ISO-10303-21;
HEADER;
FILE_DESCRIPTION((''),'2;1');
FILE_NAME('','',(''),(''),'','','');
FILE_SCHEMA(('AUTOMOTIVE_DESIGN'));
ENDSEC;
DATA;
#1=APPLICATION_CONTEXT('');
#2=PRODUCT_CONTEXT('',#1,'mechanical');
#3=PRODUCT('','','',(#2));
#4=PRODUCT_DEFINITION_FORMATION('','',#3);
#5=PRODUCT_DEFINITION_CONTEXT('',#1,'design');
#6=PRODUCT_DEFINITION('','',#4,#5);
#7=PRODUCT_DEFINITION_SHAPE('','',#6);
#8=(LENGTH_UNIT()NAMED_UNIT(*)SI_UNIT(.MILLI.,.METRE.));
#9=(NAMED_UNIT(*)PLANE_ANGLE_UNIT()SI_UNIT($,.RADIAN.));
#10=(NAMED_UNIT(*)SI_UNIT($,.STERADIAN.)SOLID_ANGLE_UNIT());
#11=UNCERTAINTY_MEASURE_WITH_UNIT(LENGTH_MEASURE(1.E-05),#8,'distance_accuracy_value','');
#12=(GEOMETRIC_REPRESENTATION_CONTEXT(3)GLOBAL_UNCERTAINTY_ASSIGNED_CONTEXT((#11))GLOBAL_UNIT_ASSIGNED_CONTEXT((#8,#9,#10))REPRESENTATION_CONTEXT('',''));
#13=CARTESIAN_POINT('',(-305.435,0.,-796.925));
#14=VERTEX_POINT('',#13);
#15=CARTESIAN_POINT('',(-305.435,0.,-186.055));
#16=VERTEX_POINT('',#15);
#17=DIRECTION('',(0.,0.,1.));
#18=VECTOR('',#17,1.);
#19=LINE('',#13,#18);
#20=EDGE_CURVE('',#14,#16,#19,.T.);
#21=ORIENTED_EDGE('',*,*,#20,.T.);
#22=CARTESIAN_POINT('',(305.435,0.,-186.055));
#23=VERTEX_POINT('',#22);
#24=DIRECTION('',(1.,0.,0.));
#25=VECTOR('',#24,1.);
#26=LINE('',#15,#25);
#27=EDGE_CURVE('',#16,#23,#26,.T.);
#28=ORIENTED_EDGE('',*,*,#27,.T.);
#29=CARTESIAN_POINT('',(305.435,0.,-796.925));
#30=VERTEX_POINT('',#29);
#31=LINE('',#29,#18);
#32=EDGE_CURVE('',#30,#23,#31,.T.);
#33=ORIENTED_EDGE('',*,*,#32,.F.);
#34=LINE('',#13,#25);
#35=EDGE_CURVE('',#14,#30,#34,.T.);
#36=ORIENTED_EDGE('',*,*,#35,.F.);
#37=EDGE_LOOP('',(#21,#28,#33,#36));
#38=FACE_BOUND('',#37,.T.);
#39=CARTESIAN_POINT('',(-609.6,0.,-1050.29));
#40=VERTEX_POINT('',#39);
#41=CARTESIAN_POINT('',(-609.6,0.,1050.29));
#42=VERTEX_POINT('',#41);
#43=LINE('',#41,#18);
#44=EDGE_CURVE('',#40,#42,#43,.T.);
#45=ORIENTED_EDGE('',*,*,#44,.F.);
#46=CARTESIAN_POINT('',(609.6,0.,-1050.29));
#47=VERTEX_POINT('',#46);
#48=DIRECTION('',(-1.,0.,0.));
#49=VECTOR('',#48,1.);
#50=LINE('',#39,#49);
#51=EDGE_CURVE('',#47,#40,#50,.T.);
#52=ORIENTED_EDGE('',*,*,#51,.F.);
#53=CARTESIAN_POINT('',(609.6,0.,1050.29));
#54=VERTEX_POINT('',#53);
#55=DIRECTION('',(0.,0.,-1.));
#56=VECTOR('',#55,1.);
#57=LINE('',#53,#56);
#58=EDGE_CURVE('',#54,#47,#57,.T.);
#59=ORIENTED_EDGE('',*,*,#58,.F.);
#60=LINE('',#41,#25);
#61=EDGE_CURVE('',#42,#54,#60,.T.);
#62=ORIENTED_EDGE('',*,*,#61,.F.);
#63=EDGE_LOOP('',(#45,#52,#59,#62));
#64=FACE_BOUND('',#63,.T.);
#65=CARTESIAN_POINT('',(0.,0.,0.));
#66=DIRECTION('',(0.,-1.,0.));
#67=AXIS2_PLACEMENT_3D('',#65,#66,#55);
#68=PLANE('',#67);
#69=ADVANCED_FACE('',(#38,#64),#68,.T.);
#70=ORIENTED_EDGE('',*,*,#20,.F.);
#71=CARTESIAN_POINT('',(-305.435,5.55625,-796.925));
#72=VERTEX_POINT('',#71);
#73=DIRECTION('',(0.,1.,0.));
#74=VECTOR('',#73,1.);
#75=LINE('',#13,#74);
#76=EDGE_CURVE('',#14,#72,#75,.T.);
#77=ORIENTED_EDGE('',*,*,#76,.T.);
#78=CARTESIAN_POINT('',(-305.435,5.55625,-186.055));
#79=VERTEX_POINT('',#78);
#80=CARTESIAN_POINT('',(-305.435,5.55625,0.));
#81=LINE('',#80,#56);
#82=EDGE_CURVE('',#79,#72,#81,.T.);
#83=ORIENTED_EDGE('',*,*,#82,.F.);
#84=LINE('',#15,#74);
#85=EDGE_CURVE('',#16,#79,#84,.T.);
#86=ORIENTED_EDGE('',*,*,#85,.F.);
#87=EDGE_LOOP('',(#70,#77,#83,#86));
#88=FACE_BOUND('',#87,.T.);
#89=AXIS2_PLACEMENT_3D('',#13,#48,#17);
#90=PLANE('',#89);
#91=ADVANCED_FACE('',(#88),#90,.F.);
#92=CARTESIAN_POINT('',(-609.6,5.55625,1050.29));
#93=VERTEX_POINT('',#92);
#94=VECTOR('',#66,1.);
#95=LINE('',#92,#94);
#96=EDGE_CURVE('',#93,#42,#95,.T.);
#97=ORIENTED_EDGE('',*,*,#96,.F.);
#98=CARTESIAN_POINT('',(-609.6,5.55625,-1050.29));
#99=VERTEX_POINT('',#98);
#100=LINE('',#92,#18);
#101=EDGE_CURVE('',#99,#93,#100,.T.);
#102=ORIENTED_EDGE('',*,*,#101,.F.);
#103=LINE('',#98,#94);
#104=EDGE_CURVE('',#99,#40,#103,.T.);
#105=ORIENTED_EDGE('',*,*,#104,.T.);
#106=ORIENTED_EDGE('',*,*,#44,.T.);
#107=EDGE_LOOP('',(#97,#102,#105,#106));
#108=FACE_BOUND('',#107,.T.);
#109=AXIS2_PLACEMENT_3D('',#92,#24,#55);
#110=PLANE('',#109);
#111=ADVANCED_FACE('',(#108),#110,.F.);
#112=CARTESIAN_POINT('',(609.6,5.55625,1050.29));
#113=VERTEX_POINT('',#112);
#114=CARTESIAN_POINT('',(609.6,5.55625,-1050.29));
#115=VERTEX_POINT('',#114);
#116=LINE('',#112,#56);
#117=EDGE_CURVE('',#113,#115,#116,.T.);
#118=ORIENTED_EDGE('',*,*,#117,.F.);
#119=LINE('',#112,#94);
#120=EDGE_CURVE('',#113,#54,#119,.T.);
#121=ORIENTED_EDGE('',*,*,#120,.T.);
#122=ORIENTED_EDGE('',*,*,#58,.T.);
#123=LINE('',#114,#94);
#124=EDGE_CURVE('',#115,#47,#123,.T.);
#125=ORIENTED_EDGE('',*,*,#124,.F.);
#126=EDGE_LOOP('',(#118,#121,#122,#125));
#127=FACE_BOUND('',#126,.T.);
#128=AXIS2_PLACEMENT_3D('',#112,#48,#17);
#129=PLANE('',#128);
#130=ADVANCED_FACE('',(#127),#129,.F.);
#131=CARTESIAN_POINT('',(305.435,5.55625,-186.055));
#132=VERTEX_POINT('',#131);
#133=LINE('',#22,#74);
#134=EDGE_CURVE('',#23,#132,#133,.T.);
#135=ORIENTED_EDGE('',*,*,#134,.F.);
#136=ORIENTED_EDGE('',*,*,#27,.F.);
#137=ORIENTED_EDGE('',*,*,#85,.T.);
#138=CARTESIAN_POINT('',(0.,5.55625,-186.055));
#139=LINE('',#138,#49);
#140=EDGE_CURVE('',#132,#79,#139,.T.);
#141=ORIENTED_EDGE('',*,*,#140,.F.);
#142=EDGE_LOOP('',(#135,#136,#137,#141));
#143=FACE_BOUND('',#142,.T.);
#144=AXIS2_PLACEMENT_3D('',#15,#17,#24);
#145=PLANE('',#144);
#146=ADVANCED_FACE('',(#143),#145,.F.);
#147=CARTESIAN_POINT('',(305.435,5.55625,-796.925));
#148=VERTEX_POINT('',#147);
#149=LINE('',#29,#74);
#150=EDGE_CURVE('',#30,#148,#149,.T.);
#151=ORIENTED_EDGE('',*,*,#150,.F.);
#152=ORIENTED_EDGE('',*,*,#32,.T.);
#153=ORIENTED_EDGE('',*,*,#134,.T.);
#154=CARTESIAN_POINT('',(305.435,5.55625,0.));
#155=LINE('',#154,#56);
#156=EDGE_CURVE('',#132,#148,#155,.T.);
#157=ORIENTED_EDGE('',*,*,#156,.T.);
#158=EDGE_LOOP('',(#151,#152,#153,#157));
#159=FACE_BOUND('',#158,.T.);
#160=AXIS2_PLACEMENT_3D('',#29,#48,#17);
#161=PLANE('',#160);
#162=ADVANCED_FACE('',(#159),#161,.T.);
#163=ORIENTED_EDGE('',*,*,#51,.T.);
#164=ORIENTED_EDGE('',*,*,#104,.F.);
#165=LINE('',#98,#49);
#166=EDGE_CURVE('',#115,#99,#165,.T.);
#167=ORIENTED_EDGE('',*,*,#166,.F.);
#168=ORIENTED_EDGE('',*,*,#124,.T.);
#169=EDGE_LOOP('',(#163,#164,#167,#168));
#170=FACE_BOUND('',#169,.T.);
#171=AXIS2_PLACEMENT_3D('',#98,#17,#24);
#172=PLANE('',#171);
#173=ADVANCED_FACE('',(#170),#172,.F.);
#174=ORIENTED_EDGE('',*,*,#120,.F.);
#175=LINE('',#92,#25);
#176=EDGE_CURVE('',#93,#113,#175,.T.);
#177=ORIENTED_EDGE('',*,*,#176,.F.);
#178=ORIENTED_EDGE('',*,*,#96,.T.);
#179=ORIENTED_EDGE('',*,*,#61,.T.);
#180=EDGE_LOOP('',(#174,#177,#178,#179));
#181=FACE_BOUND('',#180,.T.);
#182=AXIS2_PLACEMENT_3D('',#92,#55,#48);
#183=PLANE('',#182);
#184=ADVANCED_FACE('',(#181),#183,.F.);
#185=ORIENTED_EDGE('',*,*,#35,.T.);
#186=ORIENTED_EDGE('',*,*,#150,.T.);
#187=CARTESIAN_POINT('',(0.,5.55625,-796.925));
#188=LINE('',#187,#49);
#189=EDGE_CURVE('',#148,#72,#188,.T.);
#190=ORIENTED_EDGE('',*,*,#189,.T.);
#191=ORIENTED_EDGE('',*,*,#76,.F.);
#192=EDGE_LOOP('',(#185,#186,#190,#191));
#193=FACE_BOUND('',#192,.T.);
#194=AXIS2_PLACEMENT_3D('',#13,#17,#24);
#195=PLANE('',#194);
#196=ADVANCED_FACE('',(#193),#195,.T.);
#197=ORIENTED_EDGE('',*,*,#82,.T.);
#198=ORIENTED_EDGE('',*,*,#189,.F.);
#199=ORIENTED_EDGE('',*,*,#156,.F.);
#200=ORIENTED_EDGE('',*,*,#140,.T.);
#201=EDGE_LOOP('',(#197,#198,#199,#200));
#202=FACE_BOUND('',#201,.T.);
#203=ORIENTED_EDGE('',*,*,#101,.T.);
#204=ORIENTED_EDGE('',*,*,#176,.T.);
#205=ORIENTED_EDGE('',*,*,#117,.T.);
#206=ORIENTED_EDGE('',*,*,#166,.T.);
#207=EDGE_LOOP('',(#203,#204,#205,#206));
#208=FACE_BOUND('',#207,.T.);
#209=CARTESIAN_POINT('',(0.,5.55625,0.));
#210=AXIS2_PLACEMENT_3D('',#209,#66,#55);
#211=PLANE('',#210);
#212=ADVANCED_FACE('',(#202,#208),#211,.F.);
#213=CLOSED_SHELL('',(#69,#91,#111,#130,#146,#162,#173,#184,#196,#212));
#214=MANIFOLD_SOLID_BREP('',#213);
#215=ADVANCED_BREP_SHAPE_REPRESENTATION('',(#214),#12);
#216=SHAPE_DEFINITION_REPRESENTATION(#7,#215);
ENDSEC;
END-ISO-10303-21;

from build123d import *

# Parameters (mm, degrees)
SKETCH1_W               = 1219.2
SKETCH1_H               = 2100.58
BOSS_EXTRUDE1_DEPTH     = 5.55625
SKETCH2_W               = 610.87
SKETCH2_H               = 610.87
CUT_EXTRUDE1_DEPTH      = 1
CUT_EXTRUDE1_DEPTH_BACK = 6.55625


with BuildPart() as part:
    # Sketch1 → Boss-Extrude1 (new body)
    with BuildSketch(Plane(origin=(0, 0, 0), x_dir=(1, 0, 0), z_dir=(0, 1, 0))):
        Rectangle(SKETCH1_W, SKETCH1_H)
    extrude(amount=BOSS_EXTRUDE1_DEPTH)

    # Sketch2 → Cut-Extrude1 (cut, two sides)
    with BuildSketch(Plane(origin=(0, 5.55625, 0), x_dir=(1, 0, 0), z_dir=(0, 1, 0))) as cut_extrude1_sk:
        with Locations((0, 491.49)):
            Rectangle(SKETCH2_W, SKETCH2_H)
    extrude(amount=CUT_EXTRUDE1_DEPTH, mode=Mode.SUBTRACT)
    extrude(cut_extrude1_sk.sketch, amount=-CUT_EXTRUDE1_DEPTH_BACK, mode=Mode.SUBTRACT)


solid = part.part
